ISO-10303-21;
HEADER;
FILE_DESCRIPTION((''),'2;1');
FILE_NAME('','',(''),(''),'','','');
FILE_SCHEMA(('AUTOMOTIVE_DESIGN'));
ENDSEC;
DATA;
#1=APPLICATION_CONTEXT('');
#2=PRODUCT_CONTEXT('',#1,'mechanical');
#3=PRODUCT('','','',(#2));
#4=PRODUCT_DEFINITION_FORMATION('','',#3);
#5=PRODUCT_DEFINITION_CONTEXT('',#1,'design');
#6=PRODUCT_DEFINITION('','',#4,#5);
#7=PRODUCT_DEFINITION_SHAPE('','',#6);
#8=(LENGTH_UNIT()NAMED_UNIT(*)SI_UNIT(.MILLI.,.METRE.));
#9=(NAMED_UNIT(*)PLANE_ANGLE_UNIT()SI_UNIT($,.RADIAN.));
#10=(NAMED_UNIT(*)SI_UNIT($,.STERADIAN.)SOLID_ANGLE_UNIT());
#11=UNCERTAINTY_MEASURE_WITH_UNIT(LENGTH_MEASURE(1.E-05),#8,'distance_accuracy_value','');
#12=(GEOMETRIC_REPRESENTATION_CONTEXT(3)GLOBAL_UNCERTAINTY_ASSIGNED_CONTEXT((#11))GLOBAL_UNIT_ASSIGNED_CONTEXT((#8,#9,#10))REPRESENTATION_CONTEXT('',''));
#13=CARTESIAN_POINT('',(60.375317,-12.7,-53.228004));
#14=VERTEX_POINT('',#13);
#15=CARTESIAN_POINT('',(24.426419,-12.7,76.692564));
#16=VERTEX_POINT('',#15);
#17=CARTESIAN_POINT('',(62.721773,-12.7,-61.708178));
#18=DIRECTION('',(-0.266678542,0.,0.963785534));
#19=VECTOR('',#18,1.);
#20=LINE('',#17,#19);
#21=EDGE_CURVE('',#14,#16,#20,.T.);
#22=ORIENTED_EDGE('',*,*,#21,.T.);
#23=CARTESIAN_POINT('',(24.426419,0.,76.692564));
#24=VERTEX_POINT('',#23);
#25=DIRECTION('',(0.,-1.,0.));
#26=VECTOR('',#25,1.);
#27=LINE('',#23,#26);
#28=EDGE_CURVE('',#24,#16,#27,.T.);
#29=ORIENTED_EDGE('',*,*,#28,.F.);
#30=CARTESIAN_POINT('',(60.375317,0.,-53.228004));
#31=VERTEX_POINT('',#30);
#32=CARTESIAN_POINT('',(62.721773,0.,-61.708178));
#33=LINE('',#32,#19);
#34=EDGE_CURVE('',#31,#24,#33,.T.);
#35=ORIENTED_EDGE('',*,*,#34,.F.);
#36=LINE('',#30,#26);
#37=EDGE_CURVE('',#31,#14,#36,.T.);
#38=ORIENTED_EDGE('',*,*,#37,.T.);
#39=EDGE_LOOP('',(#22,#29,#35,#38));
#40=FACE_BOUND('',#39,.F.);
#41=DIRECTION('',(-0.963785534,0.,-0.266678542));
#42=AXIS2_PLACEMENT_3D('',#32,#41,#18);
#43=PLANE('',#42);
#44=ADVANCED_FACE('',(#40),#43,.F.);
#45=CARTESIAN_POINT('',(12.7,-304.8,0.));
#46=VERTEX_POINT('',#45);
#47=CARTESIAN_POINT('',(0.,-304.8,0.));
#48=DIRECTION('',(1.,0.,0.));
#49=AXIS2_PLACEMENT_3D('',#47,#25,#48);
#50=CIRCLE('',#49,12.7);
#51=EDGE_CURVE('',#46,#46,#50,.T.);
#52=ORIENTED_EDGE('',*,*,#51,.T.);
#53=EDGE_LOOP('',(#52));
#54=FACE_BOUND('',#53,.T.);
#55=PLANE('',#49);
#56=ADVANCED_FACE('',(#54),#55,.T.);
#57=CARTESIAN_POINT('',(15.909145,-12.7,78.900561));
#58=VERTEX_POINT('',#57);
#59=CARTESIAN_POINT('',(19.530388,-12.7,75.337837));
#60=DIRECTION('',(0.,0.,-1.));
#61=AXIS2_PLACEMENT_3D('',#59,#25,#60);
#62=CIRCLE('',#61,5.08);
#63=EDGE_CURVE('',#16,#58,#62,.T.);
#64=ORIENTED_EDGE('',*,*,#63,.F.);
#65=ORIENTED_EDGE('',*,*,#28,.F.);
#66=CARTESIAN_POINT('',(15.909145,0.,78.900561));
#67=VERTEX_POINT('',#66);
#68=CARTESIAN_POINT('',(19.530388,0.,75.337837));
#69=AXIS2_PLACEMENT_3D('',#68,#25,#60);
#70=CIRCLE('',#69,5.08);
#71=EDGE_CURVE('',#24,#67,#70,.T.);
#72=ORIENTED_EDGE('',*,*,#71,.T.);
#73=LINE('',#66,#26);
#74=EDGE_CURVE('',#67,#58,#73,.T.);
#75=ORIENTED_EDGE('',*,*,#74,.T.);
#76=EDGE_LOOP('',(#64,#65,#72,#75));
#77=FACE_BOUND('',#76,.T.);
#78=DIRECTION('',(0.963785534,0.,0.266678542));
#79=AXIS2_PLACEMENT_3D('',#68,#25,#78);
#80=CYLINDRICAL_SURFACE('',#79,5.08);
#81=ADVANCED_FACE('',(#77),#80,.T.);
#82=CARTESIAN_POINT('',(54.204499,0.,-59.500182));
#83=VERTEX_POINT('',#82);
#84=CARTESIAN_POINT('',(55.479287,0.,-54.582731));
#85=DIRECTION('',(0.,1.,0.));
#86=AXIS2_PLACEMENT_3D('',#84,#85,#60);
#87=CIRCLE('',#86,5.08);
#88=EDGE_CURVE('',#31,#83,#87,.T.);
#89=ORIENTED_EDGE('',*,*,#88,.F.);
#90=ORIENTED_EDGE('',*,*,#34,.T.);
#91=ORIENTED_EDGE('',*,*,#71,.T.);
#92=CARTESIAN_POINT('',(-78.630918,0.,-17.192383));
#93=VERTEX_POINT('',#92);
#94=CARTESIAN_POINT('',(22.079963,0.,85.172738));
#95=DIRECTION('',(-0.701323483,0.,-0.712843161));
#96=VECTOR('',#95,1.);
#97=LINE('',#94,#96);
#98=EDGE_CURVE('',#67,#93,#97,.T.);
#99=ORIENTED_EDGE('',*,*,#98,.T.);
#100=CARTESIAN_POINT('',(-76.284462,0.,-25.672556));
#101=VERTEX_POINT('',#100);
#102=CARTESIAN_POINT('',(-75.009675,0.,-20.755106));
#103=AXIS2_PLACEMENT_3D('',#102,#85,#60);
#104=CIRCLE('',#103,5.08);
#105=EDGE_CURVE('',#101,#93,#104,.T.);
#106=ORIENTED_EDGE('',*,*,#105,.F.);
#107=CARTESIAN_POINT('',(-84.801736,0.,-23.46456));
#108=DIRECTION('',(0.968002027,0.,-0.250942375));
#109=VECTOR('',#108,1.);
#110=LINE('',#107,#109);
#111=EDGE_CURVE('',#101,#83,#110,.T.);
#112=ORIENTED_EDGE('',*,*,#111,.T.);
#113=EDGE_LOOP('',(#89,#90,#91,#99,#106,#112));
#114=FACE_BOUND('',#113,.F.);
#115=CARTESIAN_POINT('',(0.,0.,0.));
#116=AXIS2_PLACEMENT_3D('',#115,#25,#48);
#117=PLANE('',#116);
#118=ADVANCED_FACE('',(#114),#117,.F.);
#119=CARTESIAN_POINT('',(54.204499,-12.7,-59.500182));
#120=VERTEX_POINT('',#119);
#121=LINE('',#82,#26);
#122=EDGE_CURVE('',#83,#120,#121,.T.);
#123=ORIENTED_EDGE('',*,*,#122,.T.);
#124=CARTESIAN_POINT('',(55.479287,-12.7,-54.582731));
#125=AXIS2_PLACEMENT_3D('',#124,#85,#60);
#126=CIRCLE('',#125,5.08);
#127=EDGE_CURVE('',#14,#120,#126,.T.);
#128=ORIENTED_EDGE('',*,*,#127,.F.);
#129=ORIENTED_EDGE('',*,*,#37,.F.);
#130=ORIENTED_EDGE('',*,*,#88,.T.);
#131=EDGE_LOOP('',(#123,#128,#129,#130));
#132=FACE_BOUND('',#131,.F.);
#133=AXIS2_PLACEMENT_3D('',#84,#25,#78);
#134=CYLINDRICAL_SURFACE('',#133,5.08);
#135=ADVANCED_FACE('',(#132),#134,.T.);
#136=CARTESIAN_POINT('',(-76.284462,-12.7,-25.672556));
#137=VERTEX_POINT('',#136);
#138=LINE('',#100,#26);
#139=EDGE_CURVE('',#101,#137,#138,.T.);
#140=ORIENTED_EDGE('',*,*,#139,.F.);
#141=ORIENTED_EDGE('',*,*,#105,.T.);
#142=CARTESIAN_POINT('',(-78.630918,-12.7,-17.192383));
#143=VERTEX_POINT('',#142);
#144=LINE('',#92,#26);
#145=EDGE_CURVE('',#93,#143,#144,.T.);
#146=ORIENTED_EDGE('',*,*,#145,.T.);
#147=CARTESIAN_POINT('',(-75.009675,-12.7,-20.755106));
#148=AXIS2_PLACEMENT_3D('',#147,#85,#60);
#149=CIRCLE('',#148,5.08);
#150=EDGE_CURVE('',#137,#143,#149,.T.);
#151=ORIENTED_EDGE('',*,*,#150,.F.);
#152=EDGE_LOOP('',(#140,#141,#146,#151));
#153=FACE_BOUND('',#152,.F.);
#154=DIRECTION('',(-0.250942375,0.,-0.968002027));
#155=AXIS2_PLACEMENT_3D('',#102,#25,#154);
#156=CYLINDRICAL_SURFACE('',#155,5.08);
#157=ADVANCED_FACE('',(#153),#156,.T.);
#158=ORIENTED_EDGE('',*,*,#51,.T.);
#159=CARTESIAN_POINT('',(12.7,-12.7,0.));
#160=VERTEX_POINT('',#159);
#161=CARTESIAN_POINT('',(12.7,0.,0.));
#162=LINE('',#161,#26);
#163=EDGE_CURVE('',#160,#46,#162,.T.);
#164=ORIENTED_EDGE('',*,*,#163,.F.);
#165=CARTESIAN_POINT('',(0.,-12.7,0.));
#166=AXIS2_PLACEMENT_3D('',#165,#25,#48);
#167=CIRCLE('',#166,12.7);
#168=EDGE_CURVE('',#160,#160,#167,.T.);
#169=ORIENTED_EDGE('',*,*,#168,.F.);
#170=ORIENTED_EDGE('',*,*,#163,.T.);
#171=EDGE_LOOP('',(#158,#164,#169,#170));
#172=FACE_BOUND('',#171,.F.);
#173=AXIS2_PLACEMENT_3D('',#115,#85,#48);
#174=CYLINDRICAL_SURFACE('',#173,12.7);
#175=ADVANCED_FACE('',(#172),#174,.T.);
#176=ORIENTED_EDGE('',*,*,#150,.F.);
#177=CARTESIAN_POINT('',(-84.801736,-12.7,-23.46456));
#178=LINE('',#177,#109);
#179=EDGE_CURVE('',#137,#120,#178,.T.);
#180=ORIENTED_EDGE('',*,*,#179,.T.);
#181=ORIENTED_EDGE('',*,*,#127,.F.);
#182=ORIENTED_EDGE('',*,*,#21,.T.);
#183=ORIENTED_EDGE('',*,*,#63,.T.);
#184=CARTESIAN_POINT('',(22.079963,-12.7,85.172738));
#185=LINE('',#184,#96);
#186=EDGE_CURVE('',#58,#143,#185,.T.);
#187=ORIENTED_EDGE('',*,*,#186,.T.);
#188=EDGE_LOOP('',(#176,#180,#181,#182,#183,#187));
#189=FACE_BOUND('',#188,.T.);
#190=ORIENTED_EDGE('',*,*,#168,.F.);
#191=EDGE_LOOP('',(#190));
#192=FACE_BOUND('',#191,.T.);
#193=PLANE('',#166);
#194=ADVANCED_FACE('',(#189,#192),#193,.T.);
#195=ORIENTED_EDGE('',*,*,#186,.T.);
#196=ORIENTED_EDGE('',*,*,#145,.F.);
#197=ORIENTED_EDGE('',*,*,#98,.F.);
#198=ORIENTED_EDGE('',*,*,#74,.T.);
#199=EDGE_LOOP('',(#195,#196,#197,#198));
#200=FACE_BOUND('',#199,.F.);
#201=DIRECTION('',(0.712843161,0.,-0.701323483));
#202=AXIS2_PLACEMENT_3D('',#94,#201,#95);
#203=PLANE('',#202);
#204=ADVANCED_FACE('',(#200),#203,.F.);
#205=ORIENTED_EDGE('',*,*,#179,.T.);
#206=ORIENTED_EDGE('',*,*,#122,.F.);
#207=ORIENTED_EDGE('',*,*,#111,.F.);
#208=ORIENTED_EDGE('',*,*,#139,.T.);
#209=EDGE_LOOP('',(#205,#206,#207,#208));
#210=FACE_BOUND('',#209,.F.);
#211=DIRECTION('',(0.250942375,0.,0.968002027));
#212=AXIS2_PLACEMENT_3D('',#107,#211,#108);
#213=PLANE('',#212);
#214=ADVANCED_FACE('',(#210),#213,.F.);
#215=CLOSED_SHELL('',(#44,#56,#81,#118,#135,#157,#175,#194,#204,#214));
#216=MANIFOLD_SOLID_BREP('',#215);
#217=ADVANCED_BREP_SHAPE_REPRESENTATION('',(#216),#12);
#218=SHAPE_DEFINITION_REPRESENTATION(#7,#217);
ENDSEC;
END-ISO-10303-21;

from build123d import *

# Parameters (mm, degrees)
F0_R     = 12.7
F1_DEPTH = 304.8
F2_DEPTH = 12.7
F3_R     = 5.08


with BuildPart() as f1:
    # F0 (on Front) → F1 (new body)
    with BuildSketch(Plane.XZ):
        Circle(F0_R)
    extrude(amount=F1_DEPTH)

    # F0 (on Front) → F2 (join)
    with BuildSketch(Plane.XZ):
        Polygon((62.721773, -61.708178), (22.079963, 85.172738), (-84.801736, -23.46456), align=None)
        Circle(F0_R, mode=Mode.SUBTRACT)
    extrude(amount=F2_DEPTH)

    # F3
    f3_edges = [f1.edges().sort_by_distance(p)[0] for p in [
        (-84.801736, -6.35, -23.46456),
        (22.079963, -6.35, 85.172738),
        (62.721773, -6.35, -61.708178),
    ]]
    fillet(f3_edges, radius=F3_R)


solid = f1.part
